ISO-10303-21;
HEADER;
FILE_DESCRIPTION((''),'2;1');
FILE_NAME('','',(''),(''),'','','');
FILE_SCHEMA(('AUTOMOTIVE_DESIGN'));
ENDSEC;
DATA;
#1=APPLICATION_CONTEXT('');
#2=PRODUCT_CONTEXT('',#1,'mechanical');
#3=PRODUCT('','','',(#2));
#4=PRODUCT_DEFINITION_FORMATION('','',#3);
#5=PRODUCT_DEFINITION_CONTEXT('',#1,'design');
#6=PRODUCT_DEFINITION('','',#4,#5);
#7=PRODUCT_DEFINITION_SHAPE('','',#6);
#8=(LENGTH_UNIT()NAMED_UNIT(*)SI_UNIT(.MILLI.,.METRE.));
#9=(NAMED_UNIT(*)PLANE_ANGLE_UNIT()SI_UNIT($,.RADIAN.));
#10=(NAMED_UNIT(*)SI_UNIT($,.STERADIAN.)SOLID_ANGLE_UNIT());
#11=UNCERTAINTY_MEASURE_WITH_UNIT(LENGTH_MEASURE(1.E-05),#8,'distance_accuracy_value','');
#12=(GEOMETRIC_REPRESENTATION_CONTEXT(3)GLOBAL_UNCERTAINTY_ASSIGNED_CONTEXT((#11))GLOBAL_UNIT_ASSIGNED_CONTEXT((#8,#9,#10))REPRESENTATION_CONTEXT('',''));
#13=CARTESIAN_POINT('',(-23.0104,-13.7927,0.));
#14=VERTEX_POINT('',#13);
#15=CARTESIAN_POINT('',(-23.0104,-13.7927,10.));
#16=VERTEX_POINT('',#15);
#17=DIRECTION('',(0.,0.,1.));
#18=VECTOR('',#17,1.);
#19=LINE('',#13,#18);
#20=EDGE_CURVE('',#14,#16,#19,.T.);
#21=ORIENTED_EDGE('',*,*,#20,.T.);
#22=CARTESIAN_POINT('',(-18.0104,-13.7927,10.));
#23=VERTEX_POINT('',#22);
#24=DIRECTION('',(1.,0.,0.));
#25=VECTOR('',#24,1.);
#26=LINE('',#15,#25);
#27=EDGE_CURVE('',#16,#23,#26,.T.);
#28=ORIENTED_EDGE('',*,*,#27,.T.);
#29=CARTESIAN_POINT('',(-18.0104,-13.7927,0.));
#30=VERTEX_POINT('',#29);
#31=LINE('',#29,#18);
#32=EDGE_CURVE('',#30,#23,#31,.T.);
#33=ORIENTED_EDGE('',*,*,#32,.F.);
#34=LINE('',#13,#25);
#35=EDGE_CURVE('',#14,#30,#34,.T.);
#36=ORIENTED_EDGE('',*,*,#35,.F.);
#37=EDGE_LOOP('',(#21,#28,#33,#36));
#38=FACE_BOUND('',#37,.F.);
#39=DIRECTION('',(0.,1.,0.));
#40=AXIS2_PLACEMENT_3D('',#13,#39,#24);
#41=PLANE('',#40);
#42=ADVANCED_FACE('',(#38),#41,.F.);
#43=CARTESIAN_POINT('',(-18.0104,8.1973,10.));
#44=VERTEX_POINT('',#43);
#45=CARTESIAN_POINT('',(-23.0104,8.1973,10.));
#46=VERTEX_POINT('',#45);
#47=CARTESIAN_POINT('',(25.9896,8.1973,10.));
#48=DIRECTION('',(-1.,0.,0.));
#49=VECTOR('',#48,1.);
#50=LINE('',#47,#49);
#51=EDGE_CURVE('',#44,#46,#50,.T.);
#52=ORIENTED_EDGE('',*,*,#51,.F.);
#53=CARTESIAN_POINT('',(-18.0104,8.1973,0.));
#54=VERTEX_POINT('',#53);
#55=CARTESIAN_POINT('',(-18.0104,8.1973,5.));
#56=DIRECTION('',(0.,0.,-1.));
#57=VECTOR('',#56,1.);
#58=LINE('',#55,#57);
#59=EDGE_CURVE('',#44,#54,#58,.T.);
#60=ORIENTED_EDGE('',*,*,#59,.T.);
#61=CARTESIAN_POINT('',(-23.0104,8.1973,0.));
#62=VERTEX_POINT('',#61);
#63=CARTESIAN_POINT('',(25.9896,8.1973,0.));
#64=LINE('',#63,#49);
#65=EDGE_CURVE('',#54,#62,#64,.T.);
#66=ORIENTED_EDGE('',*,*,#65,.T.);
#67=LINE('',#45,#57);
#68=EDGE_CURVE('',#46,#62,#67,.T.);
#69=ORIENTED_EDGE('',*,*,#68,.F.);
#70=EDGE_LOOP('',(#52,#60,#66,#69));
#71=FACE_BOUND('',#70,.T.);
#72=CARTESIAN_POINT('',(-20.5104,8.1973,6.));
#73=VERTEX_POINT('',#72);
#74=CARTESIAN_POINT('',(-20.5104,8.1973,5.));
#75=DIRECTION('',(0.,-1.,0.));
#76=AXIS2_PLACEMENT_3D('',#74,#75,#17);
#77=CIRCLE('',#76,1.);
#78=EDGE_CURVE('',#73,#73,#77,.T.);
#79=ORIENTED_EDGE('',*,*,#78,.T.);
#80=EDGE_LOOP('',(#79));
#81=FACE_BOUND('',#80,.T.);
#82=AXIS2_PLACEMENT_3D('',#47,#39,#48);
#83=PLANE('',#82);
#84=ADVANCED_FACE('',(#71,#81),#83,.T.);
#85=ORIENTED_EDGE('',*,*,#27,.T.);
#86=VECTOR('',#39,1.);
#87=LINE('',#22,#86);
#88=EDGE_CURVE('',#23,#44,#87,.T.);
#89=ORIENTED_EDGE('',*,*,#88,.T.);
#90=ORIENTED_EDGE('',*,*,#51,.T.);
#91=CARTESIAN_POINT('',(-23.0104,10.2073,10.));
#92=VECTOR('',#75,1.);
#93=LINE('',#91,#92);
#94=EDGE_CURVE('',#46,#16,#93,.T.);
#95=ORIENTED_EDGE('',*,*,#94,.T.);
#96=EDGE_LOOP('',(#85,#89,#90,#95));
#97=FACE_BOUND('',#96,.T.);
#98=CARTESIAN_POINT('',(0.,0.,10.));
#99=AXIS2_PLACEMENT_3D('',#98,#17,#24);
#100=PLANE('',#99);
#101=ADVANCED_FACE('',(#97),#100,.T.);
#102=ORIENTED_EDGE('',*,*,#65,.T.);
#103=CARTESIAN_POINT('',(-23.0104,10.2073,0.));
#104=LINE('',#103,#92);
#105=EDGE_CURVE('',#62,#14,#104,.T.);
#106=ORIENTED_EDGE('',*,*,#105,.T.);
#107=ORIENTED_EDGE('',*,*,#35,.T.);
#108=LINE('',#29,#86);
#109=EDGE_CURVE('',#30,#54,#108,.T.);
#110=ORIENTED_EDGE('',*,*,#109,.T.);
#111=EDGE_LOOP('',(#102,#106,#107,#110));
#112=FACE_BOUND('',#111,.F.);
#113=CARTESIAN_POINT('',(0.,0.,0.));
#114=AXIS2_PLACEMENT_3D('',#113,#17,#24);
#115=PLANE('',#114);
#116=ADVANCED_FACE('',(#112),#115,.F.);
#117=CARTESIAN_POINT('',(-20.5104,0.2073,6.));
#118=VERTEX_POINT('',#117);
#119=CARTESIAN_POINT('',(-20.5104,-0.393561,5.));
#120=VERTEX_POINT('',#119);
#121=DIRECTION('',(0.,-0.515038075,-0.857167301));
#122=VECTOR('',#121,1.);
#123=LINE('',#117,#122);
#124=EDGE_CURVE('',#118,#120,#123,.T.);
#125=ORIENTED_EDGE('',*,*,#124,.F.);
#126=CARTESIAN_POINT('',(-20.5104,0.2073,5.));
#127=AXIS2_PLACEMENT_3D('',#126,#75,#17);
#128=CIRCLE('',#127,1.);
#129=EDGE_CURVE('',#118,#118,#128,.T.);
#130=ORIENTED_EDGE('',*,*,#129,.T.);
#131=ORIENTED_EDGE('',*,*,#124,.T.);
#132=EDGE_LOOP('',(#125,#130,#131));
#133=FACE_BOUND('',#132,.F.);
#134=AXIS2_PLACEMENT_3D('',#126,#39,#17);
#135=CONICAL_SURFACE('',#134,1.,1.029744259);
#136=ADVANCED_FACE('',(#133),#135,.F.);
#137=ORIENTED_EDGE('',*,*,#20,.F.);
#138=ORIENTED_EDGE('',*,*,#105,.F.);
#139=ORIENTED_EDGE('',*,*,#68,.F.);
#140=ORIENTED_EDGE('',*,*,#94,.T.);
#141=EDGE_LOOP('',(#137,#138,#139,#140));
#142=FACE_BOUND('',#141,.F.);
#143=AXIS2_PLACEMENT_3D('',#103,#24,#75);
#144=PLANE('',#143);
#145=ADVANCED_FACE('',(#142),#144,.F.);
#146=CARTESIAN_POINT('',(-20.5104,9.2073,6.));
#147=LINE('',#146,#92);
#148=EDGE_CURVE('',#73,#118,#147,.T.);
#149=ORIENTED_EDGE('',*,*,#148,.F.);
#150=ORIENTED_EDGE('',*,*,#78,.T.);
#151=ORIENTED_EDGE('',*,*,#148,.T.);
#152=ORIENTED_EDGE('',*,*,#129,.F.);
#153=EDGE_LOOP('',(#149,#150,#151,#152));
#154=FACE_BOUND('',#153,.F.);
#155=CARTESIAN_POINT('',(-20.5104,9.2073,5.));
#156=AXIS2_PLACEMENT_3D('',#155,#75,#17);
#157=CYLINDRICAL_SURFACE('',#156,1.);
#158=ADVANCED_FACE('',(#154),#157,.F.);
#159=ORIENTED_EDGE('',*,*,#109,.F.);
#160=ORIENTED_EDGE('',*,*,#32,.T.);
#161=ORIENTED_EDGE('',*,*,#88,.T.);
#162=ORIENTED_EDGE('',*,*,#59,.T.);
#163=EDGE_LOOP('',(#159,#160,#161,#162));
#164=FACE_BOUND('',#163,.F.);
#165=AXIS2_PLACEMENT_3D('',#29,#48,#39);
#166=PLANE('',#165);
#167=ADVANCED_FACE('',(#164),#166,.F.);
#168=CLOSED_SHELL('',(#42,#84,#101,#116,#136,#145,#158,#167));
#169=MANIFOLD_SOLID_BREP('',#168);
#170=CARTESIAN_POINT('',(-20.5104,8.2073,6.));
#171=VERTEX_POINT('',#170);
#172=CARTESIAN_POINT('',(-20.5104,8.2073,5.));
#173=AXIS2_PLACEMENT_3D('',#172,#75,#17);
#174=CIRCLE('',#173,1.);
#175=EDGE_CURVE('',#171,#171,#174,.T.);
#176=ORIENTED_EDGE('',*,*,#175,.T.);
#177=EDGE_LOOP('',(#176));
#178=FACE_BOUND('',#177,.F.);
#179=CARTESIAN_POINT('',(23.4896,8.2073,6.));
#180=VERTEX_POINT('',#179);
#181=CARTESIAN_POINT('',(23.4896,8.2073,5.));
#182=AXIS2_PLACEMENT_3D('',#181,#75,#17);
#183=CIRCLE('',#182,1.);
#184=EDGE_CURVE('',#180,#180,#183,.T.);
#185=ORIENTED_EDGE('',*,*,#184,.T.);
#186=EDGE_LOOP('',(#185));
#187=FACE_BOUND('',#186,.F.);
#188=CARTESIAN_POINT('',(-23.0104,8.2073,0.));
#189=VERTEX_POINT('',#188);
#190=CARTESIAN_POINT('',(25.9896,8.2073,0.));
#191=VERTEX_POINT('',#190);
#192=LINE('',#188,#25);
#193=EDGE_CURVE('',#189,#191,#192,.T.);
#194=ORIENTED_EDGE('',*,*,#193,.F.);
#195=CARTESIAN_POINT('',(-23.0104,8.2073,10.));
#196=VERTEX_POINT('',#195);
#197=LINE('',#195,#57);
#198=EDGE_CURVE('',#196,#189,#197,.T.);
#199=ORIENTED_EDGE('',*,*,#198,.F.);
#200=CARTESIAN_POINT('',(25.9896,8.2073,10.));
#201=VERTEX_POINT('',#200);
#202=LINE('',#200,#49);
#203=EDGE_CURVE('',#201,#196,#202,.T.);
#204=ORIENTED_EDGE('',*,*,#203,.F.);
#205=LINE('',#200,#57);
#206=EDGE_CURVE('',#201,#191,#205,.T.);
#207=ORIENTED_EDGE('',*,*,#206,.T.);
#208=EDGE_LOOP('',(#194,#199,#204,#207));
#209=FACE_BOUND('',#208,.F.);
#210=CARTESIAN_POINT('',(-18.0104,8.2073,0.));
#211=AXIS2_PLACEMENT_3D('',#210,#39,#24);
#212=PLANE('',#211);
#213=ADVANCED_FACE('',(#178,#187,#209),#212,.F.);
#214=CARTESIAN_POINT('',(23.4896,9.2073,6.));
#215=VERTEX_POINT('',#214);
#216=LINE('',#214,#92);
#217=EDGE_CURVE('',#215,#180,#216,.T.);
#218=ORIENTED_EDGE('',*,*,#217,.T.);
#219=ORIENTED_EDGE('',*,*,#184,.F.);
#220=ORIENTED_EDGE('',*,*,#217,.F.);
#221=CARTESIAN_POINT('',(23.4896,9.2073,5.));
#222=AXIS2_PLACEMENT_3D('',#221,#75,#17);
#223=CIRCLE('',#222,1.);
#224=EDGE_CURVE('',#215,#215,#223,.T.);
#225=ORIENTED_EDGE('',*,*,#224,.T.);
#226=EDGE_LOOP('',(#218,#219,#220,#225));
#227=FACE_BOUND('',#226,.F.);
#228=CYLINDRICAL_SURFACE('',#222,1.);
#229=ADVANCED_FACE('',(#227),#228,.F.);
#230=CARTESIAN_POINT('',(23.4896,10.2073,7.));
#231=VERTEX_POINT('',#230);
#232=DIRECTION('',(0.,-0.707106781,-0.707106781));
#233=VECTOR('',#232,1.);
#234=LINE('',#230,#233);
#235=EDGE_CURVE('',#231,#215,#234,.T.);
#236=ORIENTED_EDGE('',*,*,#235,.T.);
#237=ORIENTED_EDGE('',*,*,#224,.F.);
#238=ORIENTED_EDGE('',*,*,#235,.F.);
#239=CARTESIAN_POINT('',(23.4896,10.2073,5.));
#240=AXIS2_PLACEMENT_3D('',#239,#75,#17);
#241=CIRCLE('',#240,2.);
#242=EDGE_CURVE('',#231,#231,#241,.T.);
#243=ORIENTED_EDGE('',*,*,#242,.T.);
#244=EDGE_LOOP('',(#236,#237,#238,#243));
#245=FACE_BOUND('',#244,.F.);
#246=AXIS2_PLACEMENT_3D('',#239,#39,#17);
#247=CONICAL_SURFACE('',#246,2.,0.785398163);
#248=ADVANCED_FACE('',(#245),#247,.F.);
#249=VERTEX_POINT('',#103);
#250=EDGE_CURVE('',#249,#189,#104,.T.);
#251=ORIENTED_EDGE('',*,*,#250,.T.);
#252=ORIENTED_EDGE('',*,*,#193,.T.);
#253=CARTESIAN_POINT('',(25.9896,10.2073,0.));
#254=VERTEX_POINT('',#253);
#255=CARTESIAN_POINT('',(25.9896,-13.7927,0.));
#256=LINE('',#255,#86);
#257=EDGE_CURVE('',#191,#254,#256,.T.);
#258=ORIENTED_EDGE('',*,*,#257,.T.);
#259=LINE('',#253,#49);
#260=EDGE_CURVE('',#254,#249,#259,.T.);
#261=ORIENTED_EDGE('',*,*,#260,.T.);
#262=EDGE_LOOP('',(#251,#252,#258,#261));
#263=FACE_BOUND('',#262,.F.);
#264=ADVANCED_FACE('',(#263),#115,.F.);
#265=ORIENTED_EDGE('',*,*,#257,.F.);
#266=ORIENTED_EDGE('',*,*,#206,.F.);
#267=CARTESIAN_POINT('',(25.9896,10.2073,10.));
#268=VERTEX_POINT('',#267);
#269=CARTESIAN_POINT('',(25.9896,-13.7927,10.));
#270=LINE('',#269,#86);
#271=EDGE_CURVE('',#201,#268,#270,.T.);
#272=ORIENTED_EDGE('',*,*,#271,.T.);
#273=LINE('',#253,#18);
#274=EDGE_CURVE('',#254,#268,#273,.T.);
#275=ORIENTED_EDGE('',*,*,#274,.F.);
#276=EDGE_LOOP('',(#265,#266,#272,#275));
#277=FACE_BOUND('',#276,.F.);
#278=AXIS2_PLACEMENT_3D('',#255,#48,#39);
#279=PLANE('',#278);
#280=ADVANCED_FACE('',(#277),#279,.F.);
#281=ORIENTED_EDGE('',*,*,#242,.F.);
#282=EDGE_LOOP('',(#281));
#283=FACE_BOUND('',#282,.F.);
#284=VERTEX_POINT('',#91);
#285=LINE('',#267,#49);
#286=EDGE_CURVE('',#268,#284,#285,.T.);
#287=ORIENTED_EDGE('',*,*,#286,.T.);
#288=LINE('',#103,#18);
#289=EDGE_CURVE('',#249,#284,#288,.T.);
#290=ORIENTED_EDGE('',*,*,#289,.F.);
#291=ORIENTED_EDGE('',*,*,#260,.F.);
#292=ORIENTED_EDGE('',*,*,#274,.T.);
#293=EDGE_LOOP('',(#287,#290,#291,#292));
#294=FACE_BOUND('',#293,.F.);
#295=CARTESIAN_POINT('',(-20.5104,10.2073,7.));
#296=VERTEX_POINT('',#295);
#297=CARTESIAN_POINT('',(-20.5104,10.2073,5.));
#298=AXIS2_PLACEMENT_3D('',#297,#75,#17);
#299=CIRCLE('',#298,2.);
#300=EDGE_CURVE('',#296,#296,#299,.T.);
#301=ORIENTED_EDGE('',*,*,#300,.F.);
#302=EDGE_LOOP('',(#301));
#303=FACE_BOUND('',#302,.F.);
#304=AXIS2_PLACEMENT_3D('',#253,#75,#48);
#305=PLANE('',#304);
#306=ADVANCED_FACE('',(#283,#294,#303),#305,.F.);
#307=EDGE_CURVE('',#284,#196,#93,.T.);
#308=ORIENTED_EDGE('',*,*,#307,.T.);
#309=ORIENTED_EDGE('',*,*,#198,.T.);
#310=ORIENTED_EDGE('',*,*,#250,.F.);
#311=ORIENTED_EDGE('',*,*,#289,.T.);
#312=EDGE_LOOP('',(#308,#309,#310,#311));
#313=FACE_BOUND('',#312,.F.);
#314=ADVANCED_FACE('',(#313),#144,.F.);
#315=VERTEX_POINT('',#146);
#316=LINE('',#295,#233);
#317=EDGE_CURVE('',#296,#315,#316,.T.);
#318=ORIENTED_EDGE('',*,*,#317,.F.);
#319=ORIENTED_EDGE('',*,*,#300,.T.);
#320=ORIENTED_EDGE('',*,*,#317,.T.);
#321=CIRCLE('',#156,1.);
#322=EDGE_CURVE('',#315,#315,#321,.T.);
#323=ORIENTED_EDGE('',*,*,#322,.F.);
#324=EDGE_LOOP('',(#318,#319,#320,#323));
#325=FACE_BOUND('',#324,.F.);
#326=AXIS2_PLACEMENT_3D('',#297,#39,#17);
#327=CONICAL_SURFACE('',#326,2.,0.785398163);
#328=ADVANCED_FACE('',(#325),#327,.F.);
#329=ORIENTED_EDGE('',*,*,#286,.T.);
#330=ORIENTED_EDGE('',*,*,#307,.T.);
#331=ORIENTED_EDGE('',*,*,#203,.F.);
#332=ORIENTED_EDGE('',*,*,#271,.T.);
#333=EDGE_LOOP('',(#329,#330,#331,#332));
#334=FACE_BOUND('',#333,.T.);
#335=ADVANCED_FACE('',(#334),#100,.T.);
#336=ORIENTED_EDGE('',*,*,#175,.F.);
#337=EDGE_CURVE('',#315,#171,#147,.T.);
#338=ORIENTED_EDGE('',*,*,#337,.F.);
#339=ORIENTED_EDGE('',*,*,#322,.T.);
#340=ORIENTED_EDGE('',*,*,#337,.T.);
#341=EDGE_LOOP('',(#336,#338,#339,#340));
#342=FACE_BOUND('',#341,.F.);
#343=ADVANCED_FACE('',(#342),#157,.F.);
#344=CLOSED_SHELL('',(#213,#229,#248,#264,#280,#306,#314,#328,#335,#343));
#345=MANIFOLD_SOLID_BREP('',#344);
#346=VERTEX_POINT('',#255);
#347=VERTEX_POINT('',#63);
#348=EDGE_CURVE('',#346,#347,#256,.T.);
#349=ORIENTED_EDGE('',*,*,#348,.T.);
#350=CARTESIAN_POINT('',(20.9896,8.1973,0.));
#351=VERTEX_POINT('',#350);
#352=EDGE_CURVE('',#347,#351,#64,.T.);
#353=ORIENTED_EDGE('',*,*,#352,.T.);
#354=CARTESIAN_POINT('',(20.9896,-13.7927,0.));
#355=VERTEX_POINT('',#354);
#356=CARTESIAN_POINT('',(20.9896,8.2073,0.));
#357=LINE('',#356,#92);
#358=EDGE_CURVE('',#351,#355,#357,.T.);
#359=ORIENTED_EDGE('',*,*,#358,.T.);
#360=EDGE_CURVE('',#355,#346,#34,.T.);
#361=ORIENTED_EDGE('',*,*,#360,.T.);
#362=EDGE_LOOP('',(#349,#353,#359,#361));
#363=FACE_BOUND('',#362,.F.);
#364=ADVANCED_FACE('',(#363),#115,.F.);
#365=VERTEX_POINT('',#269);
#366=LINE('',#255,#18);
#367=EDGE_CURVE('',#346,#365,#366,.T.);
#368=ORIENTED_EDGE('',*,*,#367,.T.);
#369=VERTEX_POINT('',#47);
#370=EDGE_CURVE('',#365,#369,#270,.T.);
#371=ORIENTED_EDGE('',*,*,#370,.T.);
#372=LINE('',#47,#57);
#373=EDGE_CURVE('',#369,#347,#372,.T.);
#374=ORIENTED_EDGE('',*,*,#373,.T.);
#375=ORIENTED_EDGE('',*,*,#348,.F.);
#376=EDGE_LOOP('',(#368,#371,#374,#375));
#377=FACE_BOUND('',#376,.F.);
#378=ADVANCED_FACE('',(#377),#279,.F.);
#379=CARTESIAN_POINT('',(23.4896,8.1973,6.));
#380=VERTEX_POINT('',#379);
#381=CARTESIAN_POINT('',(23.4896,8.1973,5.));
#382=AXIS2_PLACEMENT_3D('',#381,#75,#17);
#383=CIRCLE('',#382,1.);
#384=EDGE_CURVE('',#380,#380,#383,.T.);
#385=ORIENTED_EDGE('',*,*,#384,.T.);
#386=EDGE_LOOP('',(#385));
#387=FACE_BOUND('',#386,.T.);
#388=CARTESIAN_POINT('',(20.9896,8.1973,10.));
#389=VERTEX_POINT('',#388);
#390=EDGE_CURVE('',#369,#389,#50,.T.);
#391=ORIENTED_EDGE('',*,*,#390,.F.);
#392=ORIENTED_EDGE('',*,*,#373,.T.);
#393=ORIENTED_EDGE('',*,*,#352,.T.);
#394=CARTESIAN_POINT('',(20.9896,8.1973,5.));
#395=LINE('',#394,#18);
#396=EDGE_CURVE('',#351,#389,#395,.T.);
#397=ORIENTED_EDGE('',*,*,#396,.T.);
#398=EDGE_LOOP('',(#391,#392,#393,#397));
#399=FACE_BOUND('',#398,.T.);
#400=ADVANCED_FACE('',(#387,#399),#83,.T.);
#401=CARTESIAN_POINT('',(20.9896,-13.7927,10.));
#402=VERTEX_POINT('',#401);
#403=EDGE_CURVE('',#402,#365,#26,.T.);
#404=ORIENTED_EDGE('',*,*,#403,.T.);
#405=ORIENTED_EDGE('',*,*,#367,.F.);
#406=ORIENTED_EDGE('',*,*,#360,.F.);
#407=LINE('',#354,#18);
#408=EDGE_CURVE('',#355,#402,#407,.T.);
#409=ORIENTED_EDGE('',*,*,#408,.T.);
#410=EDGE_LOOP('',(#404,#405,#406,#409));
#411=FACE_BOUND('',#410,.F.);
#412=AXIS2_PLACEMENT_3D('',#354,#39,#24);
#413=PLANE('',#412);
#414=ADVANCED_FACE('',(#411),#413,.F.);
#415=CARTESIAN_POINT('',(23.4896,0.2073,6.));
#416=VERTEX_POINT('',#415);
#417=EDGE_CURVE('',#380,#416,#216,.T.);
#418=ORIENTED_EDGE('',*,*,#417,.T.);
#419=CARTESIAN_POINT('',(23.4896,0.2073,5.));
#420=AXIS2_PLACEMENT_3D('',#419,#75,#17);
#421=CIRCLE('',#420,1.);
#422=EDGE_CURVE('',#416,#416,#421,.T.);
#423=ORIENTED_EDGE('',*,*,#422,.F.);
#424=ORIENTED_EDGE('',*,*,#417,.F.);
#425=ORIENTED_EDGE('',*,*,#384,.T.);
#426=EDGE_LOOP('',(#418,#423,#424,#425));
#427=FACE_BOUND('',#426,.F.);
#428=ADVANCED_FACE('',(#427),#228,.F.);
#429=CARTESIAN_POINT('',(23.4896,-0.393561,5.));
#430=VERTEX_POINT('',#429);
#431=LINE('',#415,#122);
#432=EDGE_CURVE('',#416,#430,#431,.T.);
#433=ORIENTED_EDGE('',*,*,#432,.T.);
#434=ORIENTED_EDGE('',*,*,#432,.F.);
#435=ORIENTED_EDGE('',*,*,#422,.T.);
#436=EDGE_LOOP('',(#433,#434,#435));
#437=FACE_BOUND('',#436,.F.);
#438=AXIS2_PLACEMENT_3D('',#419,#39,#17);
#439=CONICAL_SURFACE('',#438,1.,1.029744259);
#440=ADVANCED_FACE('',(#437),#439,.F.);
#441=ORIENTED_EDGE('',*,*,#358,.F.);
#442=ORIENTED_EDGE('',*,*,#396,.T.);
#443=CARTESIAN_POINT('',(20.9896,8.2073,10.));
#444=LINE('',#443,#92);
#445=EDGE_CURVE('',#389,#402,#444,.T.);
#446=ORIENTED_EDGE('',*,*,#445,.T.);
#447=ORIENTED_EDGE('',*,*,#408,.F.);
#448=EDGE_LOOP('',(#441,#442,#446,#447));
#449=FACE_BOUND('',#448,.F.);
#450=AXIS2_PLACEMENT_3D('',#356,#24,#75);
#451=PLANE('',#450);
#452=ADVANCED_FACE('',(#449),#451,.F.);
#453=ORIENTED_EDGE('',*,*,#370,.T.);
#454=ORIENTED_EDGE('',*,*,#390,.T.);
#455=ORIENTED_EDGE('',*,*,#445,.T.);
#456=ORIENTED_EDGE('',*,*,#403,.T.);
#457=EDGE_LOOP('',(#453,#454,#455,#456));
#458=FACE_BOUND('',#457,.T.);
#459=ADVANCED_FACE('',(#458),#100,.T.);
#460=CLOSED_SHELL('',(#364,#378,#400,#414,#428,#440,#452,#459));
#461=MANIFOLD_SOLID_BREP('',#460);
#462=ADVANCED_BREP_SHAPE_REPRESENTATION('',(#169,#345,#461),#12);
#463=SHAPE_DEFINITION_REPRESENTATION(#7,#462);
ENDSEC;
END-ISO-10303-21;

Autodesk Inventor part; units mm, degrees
ref_plane "YZ Plane" through (0, 0, 0) normal (1, 0, 0) x (0, 1, 0)
ref_plane "XZ Plane" through (0, 0, 0) normal (0, 1, 0) x (-1, 0, 0)
ref_plane "XY Plane" through (0, 0, 0) normal (0, 0, 1) x (1, 0, 0)
sketch "Sketch1" plane through (0, 0, 0) normal (0, 0, 1) x (1, 0, 0)
  line L0 (-18.0104, 8.2073) -> (20.9896, 8.2073)
  line L1 (20.9896, 8.2073) -> (20.9896, -13.7927)
  line L2 (20.9896, -13.7927) -> (-18.0104, -13.7927)
  line L3 (-18.0104, -13.7927) -> (-18.0104, 8.2073)
  line L4 (-23.0104, -13.7927) -> (25.9896, -13.7927)
  line L5 (25.9896, -13.7927) -> (25.9896, 10.2073)
  line L6 (25.9896, 10.2073) -> (-23.0104, 10.2073)
  line L7 (-23.0104, 10.2073) -> (-23.0104, -13.7927)
  point P0 (0, 0)
  dimension "d0" = 22
  dimension "d1" = 39
  dimension "d2" = 5
  dimension "d3" = 5
  dimension "d4" = 2
extrude "Extrusion1" add sketch "Sketch1" along normal blind 10 contours L3 L4 L7 L6 L5 L1 L0
sketch "Sketch2" plane through (-23.0104, 10.2073, 0) normal (0, 1, 0) x (1, 0, 0)
  line L0 (0, 0) -> (0, -10) projected
  line L1 (49, 0) -> (49, -10) projected
  point P0 (23.0104, 0)
  point P1 (2.5, -5)
  point P2 (46.5, -5)
  dimension "d7" = 2.5
  dimension "d8" = 2.5
hole "Hole1" at (-20.5104, 10.2073, 5) at (23.4896, 10.2073, 5) direction (0, -1, 0) diameter 2 depth 10 tip angle 118 countersink diameter 4 countersink angle 90
sketch "Sketch3" plane through (0, 0, 10) normal (0, 0, 1) x (1, 0, 0)
  line L0 (-23.0104, 10.2073) -> (-23.0104, -13.7927) projected
  line L1 (-23.0104, 8.2073) -> (25.9896, 8.2073)
  line L2 (25.9896, 8.2073) -> (25.9896, 8.1973)
  line L3 (25.9896, 8.1973) -> (-23.0104, 8.1973)
  line L4 (-23.0104, 8.1973) -> (-23.0104, 8.2073)
  line L5 (25.9896, -13.7927) -> (25.9896, 10.2073) projected
  line L6 (-18.0104, 8.2073) -> (20.9896, 8.2073) projected
  point P0 (0, 0)
  dimension "d16" = 0.01
extrude "Extrusion2" cut sketch "Sketch3" against normal blind 10
properties part number "ArOZ Portable support"
